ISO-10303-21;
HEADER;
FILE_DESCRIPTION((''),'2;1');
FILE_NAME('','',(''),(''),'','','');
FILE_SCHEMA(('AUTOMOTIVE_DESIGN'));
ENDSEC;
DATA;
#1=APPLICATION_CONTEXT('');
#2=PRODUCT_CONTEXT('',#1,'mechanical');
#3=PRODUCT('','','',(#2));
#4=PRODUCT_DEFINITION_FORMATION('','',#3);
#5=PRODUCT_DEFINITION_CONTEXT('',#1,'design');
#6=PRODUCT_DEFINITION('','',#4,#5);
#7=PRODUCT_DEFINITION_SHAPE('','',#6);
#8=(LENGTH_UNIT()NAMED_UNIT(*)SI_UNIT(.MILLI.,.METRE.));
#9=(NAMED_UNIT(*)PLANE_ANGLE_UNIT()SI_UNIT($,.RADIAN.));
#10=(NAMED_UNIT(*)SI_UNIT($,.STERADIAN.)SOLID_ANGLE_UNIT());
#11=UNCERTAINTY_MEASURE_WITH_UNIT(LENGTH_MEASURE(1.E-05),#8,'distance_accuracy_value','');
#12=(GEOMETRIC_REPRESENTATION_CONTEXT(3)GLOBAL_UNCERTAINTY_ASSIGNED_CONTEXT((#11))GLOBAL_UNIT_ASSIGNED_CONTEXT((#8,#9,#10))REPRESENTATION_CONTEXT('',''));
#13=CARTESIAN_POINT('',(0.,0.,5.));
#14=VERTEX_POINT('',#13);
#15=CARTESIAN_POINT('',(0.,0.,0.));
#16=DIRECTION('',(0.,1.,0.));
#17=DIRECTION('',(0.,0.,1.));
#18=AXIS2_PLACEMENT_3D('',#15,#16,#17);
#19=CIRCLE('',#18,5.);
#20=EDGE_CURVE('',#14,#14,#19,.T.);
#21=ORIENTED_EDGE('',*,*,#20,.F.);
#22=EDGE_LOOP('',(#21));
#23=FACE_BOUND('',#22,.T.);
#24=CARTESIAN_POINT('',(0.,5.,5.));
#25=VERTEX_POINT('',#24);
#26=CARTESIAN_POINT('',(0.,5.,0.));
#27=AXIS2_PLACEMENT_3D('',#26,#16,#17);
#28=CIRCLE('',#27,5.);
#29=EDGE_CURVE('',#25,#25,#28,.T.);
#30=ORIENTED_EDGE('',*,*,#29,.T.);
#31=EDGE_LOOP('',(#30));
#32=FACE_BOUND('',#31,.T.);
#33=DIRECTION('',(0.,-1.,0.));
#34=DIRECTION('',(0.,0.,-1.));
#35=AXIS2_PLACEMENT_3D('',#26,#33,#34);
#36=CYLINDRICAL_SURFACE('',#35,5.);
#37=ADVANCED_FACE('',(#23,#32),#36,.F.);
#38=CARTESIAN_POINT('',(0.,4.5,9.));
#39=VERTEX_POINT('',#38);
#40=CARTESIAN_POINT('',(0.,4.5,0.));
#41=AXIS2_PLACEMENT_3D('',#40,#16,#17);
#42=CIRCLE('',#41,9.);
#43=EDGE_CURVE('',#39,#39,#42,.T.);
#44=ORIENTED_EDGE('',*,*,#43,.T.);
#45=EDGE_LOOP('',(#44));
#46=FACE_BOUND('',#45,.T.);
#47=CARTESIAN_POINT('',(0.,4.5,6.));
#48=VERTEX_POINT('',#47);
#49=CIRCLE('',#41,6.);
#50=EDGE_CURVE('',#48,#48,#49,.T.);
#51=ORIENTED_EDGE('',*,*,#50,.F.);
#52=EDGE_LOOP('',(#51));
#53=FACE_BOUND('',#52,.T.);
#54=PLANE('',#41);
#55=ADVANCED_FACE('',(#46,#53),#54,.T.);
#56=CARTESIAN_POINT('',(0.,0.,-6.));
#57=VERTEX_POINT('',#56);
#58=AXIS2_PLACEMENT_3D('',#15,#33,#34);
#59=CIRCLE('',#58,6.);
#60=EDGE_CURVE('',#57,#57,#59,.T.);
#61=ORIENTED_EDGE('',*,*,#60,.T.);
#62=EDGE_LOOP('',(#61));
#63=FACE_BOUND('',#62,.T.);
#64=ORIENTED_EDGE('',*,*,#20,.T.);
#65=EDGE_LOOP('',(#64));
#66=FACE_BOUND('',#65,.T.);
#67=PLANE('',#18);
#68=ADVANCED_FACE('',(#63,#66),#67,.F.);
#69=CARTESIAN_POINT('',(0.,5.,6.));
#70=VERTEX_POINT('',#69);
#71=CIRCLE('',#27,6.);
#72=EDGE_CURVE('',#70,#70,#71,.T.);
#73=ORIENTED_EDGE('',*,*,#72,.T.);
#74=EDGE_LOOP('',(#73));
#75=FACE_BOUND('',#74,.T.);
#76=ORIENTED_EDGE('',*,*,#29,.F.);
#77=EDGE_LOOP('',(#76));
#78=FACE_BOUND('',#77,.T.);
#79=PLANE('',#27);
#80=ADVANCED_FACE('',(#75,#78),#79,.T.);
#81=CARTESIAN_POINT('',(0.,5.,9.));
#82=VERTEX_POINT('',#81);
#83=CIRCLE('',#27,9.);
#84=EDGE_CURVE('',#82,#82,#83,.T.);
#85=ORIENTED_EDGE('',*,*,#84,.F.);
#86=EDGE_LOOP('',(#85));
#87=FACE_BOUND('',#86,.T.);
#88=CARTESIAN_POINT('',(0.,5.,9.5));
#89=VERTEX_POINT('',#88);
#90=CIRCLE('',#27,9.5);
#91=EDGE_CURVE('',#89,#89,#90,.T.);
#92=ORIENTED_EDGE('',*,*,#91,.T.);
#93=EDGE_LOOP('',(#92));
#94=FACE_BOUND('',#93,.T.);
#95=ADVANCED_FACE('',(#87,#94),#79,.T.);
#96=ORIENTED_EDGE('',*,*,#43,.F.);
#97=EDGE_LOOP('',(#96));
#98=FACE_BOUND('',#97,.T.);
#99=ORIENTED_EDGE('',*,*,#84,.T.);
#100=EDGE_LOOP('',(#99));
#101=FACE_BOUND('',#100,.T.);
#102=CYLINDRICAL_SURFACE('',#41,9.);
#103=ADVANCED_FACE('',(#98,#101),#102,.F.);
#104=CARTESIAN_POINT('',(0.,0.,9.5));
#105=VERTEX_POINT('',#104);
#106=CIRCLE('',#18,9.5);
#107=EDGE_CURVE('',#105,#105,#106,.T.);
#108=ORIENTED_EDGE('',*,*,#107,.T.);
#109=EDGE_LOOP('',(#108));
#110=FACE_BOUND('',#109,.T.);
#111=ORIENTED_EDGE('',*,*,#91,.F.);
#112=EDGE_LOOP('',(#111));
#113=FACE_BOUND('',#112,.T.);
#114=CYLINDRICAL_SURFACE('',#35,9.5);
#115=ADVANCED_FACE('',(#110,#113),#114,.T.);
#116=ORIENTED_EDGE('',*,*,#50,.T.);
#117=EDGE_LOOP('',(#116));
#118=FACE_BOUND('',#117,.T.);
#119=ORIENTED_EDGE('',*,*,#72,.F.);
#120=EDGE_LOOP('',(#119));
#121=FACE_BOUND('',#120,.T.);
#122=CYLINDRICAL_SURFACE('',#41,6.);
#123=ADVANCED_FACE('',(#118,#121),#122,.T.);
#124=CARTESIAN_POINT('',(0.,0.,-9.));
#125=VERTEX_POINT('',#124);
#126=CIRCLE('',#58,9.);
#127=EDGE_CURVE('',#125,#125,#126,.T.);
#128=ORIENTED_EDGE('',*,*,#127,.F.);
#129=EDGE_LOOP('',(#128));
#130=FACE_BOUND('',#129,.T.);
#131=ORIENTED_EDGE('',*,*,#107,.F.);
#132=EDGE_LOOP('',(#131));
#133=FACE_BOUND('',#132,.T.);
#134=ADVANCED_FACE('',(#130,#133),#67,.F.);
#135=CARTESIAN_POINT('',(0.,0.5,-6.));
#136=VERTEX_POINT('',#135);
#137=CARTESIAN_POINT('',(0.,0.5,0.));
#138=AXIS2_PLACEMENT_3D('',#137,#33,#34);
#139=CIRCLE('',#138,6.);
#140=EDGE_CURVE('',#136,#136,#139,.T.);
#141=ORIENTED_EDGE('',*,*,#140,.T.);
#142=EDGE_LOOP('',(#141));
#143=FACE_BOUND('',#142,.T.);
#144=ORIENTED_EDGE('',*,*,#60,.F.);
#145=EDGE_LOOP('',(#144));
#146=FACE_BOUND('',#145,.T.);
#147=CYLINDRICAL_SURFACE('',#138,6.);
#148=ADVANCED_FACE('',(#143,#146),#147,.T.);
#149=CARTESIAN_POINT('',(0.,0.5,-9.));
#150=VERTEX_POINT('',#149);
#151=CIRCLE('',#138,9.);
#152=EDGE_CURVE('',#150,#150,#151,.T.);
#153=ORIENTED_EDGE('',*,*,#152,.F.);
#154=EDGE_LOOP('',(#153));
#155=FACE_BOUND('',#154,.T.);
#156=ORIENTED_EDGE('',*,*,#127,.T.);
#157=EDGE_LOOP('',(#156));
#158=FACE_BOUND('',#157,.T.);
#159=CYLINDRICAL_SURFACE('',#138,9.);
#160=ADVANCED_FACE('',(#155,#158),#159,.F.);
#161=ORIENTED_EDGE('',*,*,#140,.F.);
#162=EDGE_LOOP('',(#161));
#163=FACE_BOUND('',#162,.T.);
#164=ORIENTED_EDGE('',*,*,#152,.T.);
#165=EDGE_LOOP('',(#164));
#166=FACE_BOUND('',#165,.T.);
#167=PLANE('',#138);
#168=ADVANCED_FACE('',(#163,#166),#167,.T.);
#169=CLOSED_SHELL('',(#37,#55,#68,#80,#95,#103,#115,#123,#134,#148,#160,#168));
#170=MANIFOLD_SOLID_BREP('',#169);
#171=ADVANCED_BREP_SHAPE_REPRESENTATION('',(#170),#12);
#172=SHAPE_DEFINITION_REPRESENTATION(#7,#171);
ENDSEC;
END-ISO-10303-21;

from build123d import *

# Parameters (mm, degrees)
SKETCH1_R           = 9.5
SKETCH1_R_2         = 5
BOSS_EXTRUDE1_DEPTH = 5
SKETCH2_R           = 9
SKETCH2_R_2         = 6
CUT_EXTRUDE1_DEPTH  = 0.5
CUT_EXTRUDE2_START  = -0.5
SKETCH3_R           = 9
SKETCH3_R_2         = 6
CUT_EXTRUDE2_DEPTH  = 0.5


with BuildPart() as part:
    # Sketch1 → Boss-Extrude1 (new body)
    with BuildSketch(Plane(origin=(0, 0, 0), x_dir=(1, 0, 0), z_dir=(0, 1, 0))):
        with Locations(Location((0, 0, 0), (0, 0, 270))):
            Circle(SKETCH1_R)
        with Locations(Location((0, 0, 0), (0, 0, 270))):
            Circle(SKETCH1_R_2, mode=Mode.SUBTRACT)
    extrude(amount=BOSS_EXTRUDE1_DEPTH)

    # Sketch2 → Cut-Extrude1 (cut)
    with BuildSketch(Plane(origin=(0, 5, 0), x_dir=(1, 0, 0), z_dir=(0, 1, 0))):
        with Locations(Location((0, 0, 0), (0, 0, 270))):
            Circle(SKETCH2_R)
        with Locations(Location((0, 0, 0), (0, 0, 270))):
            Circle(SKETCH2_R_2, mode=Mode.SUBTRACT)
    extrude(amount=-CUT_EXTRUDE1_DEPTH, mode=Mode.SUBTRACT)

    # Sketch3 → Cut-Extrude2 (cut)
    with BuildSketch(Plane.XZ.offset(CUT_EXTRUDE2_START)):
        with Locations(Location((0, 0, 0), (0, 0, 90))):
            Circle(SKETCH3_R)
        with Locations(Location((0, 0, 0), (0, 0, 90))):
            Circle(SKETCH3_R_2, mode=Mode.SUBTRACT)
    extrude(amount=CUT_EXTRUDE2_DEPTH, mode=Mode.SUBTRACT)


solid = part.part
